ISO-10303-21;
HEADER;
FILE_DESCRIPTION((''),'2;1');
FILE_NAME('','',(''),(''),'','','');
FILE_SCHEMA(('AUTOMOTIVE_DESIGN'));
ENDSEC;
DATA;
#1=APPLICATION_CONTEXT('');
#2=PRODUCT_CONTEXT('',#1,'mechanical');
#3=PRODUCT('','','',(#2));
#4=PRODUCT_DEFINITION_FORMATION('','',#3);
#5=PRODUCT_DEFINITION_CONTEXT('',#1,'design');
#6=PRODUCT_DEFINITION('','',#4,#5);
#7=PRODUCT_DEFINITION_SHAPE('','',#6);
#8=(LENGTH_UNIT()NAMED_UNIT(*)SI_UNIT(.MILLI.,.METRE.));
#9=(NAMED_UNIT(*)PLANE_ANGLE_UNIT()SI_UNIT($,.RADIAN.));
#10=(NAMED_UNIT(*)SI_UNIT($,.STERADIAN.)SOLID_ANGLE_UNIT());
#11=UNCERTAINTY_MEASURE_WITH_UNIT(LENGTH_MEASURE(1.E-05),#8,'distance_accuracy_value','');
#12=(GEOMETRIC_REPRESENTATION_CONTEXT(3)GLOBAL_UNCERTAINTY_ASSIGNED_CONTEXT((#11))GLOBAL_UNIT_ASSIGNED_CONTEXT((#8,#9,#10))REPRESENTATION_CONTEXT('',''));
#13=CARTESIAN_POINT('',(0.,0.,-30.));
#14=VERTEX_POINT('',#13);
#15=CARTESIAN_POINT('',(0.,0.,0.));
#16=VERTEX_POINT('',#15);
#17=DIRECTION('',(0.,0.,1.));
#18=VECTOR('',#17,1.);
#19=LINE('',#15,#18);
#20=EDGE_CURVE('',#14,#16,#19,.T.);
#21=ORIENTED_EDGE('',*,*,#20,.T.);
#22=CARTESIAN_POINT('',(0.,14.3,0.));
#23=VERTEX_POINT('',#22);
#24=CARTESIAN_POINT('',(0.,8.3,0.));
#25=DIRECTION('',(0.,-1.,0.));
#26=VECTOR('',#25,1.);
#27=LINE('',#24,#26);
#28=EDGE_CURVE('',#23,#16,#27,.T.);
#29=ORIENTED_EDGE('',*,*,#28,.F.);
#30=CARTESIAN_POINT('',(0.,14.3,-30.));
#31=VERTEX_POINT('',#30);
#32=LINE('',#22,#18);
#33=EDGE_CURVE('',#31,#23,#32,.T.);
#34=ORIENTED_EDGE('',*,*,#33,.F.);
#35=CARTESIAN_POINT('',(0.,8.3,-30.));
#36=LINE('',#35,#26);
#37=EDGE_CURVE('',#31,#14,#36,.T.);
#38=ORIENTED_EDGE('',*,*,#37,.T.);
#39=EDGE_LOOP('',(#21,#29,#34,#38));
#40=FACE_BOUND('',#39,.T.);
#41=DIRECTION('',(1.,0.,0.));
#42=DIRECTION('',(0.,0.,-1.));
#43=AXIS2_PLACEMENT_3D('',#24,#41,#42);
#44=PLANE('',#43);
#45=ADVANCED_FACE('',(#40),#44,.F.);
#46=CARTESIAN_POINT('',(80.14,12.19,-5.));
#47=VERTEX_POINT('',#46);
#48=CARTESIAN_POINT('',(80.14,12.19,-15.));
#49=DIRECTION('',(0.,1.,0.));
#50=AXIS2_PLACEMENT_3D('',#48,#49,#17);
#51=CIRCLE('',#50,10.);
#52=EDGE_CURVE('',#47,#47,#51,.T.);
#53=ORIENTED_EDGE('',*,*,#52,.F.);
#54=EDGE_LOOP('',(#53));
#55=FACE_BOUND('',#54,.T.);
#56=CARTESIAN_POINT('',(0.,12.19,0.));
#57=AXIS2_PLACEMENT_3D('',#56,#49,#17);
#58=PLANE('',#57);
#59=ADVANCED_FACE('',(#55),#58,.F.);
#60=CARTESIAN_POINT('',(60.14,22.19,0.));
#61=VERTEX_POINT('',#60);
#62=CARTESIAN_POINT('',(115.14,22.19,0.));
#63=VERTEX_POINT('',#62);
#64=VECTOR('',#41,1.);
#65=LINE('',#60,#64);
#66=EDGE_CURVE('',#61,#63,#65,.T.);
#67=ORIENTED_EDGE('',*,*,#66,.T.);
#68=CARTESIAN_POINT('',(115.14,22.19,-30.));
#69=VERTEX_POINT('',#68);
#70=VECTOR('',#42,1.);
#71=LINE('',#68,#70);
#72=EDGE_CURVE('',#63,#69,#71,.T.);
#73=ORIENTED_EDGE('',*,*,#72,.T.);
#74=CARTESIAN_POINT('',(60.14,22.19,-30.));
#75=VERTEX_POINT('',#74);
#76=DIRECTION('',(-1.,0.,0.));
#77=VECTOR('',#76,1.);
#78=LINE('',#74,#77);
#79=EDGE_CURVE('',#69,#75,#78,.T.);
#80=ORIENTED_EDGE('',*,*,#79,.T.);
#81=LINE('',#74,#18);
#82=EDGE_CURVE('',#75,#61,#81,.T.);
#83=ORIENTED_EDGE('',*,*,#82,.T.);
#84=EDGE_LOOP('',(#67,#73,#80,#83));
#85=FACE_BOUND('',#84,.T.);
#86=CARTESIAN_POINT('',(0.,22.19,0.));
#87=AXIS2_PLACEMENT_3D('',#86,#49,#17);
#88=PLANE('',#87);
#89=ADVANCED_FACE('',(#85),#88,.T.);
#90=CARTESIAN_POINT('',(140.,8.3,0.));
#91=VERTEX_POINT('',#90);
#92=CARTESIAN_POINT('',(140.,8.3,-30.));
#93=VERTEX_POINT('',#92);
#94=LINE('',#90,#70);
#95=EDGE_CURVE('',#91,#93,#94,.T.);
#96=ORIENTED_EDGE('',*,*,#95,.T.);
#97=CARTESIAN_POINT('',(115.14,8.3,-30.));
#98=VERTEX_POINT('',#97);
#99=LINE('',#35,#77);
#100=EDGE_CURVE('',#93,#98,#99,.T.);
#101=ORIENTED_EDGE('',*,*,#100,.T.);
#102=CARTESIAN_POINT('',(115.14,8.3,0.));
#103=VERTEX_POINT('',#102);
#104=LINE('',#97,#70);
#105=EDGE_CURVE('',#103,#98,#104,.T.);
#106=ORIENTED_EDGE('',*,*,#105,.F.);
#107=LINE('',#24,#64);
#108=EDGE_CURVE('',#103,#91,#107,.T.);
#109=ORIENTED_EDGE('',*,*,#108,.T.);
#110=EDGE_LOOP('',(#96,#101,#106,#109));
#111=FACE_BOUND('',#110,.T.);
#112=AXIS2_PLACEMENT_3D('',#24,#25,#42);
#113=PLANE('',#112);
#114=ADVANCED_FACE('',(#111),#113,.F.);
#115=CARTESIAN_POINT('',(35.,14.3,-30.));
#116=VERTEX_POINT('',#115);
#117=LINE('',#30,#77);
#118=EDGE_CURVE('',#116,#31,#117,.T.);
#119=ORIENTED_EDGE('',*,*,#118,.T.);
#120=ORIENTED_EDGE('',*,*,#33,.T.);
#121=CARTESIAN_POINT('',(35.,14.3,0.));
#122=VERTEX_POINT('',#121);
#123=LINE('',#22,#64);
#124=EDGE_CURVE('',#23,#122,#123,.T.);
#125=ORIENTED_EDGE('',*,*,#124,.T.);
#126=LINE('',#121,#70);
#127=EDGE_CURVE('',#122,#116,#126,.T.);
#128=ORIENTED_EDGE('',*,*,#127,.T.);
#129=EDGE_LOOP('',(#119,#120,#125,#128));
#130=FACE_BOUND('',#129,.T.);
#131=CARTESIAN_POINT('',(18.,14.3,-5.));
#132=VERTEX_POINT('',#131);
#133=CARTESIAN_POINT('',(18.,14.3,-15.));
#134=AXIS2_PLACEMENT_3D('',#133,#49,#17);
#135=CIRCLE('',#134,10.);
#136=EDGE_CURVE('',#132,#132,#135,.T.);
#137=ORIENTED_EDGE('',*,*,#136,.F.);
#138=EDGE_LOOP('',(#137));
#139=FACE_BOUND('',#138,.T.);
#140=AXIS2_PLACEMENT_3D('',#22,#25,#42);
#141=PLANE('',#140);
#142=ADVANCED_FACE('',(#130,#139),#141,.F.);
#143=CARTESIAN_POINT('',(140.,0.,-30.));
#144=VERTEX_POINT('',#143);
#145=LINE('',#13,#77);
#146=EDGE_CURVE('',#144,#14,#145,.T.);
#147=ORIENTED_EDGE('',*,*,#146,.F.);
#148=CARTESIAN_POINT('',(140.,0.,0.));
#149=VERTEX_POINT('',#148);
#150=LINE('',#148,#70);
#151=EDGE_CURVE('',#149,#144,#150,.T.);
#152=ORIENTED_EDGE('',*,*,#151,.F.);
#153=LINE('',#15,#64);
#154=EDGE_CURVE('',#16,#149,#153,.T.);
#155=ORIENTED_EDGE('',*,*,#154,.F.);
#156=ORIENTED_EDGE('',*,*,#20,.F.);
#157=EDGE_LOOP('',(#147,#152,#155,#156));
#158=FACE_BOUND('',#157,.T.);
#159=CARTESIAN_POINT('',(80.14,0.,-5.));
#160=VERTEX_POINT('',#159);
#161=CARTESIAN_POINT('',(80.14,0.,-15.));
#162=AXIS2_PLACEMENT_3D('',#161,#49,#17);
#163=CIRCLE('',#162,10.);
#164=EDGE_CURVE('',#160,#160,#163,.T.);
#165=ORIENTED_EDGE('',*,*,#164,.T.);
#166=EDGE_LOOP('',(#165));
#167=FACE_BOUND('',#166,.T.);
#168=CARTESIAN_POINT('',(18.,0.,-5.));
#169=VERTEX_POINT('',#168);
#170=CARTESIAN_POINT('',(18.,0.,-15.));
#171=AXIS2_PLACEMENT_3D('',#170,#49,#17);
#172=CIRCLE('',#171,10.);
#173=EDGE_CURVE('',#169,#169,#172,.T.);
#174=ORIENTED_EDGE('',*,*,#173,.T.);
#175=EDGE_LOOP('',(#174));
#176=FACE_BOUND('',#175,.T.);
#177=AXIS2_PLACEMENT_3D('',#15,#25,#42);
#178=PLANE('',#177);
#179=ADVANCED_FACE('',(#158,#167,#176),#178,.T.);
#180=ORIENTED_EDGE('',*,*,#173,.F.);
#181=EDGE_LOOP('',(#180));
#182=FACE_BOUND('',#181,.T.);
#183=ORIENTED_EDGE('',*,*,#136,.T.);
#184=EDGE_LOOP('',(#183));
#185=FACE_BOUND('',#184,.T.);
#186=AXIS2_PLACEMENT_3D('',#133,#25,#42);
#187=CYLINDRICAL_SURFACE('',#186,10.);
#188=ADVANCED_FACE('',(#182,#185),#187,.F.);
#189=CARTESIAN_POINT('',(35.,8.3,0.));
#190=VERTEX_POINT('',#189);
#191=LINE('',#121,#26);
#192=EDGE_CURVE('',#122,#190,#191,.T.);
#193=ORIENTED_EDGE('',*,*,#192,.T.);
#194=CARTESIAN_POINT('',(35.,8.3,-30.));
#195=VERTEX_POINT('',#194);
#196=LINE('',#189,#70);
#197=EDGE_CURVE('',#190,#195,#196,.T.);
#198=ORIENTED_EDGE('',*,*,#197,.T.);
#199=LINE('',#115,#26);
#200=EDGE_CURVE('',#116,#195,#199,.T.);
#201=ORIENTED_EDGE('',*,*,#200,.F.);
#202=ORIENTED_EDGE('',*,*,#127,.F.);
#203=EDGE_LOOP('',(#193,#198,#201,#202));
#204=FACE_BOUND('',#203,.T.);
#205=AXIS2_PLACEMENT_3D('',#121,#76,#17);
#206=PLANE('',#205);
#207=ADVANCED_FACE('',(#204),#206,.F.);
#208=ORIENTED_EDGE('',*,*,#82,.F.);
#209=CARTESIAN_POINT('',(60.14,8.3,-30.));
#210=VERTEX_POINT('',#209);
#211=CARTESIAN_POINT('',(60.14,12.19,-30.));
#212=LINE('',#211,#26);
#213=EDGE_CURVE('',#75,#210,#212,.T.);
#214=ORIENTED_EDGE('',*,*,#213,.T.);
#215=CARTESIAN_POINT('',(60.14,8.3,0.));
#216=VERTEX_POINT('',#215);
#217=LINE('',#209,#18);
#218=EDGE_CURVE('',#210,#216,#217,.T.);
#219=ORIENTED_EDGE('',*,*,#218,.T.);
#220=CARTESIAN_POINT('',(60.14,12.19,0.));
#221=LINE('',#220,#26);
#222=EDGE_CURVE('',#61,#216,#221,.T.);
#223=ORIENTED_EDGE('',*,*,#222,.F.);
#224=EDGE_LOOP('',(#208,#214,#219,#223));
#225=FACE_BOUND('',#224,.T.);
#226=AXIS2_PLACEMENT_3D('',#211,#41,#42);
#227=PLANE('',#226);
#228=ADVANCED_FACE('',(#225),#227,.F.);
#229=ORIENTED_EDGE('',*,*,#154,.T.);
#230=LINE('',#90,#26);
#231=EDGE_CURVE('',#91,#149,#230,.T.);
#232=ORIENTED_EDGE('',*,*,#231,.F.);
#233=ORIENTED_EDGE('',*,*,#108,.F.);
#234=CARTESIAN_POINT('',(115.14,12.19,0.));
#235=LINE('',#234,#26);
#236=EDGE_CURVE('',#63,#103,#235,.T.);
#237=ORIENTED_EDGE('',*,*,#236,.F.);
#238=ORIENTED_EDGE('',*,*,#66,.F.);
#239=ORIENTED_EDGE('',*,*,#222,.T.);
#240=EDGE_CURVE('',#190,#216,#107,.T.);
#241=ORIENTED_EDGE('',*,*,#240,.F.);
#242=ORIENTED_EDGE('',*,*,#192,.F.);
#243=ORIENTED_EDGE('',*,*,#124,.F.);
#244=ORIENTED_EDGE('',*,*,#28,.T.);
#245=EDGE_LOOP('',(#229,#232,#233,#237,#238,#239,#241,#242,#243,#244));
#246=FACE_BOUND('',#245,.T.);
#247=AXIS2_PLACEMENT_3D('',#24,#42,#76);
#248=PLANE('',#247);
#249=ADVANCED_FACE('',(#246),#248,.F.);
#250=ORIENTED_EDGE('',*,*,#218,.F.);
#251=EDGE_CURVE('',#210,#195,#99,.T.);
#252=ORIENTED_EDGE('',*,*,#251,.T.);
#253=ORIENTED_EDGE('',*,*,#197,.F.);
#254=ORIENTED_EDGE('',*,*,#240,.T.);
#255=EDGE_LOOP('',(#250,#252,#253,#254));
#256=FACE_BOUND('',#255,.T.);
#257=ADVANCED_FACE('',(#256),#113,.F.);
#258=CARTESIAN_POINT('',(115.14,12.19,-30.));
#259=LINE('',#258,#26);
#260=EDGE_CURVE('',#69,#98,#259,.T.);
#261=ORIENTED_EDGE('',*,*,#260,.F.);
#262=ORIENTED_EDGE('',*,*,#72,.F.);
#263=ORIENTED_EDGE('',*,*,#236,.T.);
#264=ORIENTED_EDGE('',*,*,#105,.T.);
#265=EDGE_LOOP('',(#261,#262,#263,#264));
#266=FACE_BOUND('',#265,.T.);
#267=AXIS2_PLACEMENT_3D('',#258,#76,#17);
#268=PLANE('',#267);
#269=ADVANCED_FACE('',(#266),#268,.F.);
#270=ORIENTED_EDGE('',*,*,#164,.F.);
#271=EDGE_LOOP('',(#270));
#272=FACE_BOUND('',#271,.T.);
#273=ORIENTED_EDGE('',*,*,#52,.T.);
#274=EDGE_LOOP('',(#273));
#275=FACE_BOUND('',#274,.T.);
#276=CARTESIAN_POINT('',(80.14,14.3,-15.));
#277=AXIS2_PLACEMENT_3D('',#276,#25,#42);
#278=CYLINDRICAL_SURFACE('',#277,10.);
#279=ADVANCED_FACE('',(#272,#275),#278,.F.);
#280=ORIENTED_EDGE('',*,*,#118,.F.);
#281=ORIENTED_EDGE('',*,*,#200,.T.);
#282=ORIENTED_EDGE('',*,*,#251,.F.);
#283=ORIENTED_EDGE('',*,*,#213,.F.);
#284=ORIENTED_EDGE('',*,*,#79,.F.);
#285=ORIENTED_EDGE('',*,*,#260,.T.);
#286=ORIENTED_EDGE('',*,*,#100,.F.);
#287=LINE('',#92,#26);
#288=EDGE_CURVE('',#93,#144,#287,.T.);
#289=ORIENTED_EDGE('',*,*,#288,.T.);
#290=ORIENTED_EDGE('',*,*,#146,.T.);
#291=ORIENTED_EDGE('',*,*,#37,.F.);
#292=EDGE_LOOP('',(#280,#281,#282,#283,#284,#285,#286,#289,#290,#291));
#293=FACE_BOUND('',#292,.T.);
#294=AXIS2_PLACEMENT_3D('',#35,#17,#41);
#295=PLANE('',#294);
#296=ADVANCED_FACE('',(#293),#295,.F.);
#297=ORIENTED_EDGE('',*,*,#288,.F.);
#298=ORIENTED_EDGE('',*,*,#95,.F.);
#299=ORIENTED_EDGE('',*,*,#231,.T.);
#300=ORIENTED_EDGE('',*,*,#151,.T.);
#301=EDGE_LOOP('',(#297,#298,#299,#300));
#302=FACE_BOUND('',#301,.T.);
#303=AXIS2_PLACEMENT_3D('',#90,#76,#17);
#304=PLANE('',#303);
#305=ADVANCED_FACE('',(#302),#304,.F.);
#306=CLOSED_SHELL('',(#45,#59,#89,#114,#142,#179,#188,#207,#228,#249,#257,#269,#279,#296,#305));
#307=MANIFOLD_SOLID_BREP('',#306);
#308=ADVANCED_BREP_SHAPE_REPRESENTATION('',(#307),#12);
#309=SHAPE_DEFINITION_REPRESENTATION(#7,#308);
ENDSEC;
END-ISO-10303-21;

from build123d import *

# Parameters (mm, degrees)
SKETCH1_W               = 140
SKETCH1_H               = 30
BOSS_EXTRUDE1_DEPTH     = 8.3
SKETCH3_W               = 35
SKETCH3_H               = 30
BOSS_EXTRUDE2_DEPTH     = 6
CUT_EXTRUDE1_DEPTH      = 6
CUT_EXTRUDE1_DEPTH_BACK = 8.3
SKETCH2_R               = 10
SKETCH4_W               = 55
SKETCH4_H               = 30
BOSS_EXTRUDE3_DEPTH     = 3.89
SKETCH5_R               = 10
CUT_EXTRUDE2_DEPTH      = 144.890548682
SKETCH7_W               = 55
SKETCH7_H               = 30
BOSS_EXTRUDE4_DEPTH     = 10


with BuildPart() as part:
    # Sketch1 → Boss-Extrude1 (new body)
    with BuildSketch(Plane(origin=(0, 0, 0), x_dir=(1, 0, 0), z_dir=(0, 1, 0))):
        with Locations((70, 15)):
            Rectangle(SKETCH1_W, SKETCH1_H)
    extrude(amount=BOSS_EXTRUDE1_DEPTH)

    # Sketch3 → Boss-Extrude2 (add)
    with BuildSketch(Plane(origin=(0, 8.3, 0), x_dir=(1, 0, 0), z_dir=(0, 1, 0))):
        with Locations((17.5, 15)):
            Rectangle(SKETCH3_W, SKETCH3_H)
    extrude(amount=BOSS_EXTRUDE2_DEPTH)

    # Sketch2 → Cut-Extrude1 (cut, two sides: drawn at the far end of the back side and taken through both)
    with BuildSketch(Plane(origin=(0, 8.3, 0), x_dir=(1, 0, 0), z_dir=(0, 1, 0)).offset(-CUT_EXTRUDE1_DEPTH_BACK)):
        with Locations(Location((18, 15, 0), (0, 0, 270))):
            Circle(SKETCH2_R)
        with Locations(Location((80.14, 15, 0), (0, 0, 90))):
            Circle(SKETCH2_R)
    extrude(amount=CUT_EXTRUDE1_DEPTH + CUT_EXTRUDE1_DEPTH_BACK, mode=Mode.SUBTRACT)

    # Sketch4 → Boss-Extrude3 (add)
    with BuildSketch(Plane(origin=(0, 8.3, 0), x_dir=(1, 0, 0), z_dir=(0, 1, 0))):
        with Locations((87.64, 15)):
            Rectangle(SKETCH4_W, SKETCH4_H)
    extrude(amount=BOSS_EXTRUDE3_DEPTH)

    # Sketch5 → Cut-Extrude2 (cut, through all)
    with BuildSketch(Plane.XZ):
        with Locations(Location((80.14, -15, 0), (0, 0, 90))):
            Circle(SKETCH5_R)
    extrude(amount=-CUT_EXTRUDE2_DEPTH, mode=Mode.SUBTRACT)

    # Sketch7 → Boss-Extrude4 (add)
    with BuildSketch(Plane(origin=(0, 12.19, 0), x_dir=(1, 0, 0), z_dir=(0, 1, 0))):
        with Locations((87.64, 15)):
            Rectangle(SKETCH7_W, SKETCH7_H)
    extrude(amount=BOSS_EXTRUDE4_DEPTH)


solid = part.part
